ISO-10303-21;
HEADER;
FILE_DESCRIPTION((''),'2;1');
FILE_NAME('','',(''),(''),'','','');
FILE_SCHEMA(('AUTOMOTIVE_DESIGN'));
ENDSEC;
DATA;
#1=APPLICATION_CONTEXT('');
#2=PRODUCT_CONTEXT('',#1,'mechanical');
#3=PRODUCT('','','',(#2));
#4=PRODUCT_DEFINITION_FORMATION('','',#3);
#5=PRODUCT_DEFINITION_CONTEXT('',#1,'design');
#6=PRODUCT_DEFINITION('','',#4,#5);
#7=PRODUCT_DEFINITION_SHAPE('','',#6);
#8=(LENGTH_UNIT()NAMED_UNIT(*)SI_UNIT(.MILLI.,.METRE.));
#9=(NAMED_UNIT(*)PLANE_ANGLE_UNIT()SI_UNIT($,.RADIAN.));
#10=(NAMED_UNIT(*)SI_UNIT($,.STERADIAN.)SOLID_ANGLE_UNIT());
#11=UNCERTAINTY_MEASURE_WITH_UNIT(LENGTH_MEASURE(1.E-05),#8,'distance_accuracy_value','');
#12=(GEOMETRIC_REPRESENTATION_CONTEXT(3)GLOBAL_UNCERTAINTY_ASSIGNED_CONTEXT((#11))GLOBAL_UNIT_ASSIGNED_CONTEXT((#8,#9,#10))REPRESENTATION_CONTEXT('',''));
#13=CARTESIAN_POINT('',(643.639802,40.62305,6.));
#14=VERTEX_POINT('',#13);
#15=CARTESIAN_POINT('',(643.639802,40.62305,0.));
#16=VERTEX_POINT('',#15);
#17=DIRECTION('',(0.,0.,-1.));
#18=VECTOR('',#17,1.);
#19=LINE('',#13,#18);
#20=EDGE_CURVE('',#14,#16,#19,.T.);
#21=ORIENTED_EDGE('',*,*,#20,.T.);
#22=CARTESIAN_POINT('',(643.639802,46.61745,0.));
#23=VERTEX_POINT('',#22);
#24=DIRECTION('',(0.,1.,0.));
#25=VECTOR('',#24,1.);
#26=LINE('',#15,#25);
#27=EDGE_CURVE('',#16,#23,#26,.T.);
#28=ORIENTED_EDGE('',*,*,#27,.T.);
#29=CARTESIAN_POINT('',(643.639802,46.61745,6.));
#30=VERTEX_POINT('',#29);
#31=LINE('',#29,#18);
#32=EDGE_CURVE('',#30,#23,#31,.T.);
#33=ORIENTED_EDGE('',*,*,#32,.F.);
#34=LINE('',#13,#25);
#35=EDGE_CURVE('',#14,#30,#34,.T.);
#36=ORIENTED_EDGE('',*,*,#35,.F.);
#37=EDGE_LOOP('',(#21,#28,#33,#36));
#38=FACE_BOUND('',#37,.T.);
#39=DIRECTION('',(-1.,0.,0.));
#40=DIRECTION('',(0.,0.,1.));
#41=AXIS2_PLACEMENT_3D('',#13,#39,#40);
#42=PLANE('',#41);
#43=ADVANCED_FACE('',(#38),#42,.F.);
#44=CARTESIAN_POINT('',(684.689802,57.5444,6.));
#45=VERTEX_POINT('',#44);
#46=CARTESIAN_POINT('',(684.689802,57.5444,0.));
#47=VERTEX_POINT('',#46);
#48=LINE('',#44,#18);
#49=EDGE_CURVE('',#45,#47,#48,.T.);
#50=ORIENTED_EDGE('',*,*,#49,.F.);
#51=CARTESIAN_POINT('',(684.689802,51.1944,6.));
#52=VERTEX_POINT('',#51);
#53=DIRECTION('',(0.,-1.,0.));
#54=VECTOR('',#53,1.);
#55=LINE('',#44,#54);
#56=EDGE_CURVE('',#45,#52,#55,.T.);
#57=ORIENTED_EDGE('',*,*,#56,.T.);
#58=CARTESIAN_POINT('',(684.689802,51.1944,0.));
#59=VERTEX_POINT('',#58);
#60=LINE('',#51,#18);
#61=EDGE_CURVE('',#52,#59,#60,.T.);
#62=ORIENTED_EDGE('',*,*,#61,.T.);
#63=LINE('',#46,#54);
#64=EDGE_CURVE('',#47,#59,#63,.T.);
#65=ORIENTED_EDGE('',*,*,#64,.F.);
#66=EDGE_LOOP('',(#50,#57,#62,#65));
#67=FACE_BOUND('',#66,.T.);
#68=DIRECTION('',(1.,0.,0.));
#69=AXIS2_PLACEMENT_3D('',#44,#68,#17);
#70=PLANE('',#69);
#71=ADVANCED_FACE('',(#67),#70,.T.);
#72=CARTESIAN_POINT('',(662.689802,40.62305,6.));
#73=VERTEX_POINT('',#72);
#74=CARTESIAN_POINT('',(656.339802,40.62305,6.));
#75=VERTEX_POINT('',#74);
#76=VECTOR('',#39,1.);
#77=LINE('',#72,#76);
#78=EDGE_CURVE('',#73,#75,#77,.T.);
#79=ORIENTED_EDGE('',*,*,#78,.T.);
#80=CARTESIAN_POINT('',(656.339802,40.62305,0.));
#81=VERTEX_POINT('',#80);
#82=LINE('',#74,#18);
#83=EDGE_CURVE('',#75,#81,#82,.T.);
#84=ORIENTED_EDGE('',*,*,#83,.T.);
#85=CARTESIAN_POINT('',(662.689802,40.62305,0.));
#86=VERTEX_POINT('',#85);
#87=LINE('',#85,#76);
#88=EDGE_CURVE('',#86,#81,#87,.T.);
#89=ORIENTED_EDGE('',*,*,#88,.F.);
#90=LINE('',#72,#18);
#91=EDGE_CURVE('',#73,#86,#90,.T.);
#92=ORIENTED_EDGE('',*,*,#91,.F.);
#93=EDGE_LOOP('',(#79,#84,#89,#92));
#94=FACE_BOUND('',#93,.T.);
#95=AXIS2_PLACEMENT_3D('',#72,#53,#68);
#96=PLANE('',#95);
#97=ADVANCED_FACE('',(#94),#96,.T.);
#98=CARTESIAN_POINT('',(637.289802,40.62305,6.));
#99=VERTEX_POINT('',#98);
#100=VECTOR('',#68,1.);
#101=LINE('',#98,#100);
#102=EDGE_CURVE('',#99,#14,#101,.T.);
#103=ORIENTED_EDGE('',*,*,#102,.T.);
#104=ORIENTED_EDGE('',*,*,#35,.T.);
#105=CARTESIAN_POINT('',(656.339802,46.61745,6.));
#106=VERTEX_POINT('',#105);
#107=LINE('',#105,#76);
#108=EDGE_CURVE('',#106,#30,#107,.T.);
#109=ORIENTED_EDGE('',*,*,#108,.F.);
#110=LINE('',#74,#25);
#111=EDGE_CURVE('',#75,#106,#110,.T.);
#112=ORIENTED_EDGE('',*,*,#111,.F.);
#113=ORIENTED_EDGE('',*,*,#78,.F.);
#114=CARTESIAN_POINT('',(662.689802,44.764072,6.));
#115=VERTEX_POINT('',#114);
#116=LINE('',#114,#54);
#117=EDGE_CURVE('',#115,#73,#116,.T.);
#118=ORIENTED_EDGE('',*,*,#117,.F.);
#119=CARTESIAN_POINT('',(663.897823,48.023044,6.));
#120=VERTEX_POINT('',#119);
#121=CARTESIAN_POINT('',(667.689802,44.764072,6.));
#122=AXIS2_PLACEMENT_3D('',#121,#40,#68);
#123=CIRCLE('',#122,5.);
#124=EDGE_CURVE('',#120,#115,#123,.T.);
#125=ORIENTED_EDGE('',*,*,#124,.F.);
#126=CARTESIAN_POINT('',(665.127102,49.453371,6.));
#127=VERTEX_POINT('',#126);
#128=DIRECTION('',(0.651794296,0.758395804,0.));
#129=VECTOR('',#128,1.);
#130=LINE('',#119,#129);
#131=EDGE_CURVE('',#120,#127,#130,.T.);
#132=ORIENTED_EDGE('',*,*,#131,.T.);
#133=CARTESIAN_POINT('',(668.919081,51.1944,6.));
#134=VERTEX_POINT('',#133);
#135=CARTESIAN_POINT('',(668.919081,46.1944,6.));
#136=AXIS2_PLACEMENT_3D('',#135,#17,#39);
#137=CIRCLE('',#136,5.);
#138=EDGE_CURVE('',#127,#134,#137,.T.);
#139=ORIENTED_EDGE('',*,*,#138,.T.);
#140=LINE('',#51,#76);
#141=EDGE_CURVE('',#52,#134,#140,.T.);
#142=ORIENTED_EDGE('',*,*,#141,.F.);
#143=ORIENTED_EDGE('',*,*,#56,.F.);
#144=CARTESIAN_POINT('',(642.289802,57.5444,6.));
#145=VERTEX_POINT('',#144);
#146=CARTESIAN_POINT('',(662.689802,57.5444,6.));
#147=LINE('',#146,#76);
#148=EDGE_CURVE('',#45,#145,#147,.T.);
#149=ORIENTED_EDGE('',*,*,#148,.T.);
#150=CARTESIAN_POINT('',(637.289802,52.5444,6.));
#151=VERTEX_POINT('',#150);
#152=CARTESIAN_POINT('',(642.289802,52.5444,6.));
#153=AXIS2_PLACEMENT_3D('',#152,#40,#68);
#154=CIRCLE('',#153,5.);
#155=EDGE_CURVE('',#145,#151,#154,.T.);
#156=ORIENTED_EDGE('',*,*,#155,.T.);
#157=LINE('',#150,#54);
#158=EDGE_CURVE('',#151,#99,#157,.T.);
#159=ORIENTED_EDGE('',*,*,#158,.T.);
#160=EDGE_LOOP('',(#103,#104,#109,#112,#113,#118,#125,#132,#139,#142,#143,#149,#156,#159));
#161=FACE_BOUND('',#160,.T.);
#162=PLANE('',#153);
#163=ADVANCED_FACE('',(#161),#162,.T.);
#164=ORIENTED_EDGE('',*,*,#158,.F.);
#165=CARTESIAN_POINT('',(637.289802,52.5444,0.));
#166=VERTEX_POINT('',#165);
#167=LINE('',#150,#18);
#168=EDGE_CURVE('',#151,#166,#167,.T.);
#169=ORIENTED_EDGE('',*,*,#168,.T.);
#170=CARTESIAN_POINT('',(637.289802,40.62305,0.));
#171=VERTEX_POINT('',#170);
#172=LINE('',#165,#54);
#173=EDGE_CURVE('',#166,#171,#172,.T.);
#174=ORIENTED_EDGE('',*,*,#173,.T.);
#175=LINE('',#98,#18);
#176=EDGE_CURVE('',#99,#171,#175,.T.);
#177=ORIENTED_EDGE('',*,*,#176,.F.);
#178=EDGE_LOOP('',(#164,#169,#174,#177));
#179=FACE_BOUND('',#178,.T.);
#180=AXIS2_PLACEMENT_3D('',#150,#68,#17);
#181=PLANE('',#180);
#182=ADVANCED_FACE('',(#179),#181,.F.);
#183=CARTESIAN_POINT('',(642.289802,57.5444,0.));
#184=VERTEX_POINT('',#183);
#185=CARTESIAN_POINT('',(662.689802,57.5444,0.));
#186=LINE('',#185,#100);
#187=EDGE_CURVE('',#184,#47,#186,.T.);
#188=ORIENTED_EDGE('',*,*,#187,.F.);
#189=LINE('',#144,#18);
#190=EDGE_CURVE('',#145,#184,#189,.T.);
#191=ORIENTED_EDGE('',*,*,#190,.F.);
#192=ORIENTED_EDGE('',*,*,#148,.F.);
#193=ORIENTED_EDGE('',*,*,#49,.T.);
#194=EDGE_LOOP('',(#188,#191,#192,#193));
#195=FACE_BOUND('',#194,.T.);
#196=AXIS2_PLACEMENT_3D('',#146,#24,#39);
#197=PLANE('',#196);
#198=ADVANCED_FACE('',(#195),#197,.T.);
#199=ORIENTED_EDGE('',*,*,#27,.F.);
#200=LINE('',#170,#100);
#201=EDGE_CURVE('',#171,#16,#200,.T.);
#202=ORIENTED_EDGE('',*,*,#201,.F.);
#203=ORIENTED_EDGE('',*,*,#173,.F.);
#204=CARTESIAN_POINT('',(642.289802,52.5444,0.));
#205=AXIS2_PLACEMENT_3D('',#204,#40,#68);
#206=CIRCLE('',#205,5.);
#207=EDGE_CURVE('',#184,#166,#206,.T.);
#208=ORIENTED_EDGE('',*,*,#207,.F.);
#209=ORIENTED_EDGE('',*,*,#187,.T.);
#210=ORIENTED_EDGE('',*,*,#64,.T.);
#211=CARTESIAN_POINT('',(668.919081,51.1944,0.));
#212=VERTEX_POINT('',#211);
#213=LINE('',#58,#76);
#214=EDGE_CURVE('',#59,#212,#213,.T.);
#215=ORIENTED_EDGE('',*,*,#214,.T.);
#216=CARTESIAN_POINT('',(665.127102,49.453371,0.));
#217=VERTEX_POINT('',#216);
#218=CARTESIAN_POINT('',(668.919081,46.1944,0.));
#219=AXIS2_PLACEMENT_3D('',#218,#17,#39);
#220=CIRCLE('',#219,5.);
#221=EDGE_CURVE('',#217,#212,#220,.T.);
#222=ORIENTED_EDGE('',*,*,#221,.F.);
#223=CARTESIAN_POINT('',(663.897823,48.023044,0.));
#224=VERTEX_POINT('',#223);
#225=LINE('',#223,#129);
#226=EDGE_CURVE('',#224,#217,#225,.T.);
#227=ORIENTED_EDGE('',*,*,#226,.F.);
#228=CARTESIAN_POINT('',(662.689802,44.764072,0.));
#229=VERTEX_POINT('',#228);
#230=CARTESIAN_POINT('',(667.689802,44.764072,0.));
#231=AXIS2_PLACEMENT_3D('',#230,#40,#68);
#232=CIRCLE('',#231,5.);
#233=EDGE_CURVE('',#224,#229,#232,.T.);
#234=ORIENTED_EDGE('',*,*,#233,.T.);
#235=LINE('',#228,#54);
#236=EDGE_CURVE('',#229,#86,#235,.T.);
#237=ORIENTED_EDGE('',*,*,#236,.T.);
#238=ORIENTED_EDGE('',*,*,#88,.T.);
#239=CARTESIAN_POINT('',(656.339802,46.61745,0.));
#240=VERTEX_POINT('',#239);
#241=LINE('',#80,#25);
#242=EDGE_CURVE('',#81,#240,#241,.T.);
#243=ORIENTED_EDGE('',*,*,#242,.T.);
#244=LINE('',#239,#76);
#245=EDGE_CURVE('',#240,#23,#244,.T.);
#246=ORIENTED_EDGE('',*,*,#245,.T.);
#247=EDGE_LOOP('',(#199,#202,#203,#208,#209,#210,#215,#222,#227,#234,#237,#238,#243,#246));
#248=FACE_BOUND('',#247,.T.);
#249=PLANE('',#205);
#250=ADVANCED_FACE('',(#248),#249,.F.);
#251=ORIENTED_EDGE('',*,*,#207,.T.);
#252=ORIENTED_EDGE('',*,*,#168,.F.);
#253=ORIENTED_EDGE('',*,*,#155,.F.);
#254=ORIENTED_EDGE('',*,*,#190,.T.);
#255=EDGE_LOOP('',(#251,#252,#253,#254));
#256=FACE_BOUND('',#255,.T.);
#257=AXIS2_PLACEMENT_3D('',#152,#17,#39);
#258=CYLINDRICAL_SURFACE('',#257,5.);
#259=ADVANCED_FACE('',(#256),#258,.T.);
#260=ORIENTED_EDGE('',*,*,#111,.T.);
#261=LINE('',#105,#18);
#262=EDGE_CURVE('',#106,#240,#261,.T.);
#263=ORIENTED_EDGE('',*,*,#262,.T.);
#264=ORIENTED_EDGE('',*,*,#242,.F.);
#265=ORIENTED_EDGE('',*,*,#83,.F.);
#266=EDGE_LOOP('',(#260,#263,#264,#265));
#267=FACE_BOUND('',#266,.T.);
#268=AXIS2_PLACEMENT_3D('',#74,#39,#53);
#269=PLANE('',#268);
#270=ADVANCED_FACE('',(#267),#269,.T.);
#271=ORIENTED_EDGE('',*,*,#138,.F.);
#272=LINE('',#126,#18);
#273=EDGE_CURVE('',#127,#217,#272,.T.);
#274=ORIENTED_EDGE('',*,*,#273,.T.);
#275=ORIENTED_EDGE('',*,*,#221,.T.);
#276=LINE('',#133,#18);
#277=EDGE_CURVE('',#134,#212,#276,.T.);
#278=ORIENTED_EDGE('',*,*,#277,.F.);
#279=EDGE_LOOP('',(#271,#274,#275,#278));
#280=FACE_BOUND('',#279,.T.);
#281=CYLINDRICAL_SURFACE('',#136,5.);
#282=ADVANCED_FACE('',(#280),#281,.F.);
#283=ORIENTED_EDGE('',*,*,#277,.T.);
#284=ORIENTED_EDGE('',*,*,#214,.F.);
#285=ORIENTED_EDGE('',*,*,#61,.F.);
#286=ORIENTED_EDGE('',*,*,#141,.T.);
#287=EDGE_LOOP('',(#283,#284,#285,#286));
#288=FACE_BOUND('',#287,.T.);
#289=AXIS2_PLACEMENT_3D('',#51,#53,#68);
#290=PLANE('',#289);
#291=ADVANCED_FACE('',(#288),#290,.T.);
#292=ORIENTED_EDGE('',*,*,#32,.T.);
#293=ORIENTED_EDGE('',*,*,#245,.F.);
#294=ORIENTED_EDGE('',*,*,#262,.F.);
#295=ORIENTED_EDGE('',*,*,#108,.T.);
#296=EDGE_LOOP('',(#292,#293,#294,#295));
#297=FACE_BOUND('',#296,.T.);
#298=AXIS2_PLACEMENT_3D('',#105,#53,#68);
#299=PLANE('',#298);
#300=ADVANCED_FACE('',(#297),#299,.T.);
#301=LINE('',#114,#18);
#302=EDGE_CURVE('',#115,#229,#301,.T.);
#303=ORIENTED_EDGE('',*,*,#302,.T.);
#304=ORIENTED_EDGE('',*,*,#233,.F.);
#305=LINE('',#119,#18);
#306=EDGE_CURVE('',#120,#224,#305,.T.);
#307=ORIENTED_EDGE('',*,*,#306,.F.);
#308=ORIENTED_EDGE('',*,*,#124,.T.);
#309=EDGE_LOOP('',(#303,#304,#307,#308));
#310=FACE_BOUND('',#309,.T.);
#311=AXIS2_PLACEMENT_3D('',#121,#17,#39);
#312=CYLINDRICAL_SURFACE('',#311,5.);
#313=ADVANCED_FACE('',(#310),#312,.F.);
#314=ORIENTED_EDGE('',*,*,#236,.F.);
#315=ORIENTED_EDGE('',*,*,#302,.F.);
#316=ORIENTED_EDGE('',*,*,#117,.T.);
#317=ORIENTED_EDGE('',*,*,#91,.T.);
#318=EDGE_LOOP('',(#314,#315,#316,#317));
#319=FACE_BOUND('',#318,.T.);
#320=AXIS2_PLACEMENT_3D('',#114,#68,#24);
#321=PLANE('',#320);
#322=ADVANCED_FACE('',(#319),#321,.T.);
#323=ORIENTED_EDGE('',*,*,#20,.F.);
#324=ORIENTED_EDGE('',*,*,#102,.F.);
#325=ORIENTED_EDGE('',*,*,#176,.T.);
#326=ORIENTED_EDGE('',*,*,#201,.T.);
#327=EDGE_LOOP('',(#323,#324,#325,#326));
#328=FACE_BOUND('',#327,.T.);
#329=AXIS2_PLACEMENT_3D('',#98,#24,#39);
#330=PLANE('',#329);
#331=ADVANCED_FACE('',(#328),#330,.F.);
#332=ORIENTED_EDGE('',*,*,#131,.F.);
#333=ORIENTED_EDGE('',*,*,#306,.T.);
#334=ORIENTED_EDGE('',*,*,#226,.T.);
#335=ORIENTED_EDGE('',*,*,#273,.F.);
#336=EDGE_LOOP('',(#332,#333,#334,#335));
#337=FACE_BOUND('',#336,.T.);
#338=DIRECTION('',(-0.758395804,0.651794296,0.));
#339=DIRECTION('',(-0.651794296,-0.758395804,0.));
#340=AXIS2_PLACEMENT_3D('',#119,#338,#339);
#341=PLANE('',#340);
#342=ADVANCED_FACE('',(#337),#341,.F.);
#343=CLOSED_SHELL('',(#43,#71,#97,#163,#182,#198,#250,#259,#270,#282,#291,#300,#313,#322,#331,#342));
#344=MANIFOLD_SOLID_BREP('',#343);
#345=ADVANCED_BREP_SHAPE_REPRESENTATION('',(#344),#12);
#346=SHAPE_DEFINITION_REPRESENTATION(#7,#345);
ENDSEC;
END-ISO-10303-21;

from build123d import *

# Parameters (mm, degrees)
BOSS_EXTRUDE1_DEPTH = 6


with BuildPart() as part:
    # Sketch1 → Boss-Extrude1 (new body)
    with BuildSketch(Plane.XY):
        with BuildLine():
            Line((684.689802479, 51.1944), (668.919080645, 51.1944))
            ThreePointArc((668.919080645, 51.1944), (666.832798953, 50.738344179), (665.127101625, 49.453371481))
            Line((665.127101625, 49.453371481), (663.897823459, 48.023043832))
            ThreePointArc((663.897823459, 48.023043832), (663.001524805, 46.501902162), (662.689802479, 44.764072351))
            Line((662.689802479, 44.764072351), (662.689802479, 40.62305))
            Line((662.689802479, 40.62305), (656.339802479, 40.62305))
            Line((656.339802479, 40.62305), (656.339802479, 46.61745))
            Line((656.339802479, 46.61745), (643.639802479, 46.61745))
            Line((643.639802479, 46.61745), (643.639802479, 40.62305))
            Line((643.639802479, 40.62305), (637.289802479, 40.62305))
            Line((637.289802479, 40.62305), (637.289802479, 52.5444))
            ThreePointArc((637.289802479, 52.5444), (638.754268573, 56.079933906), (642.289802479, 57.5444))
            Line((642.289802479, 57.5444), (662.689802479, 57.5444))
            Line((662.689802479, 57.5444), (684.689802479, 57.5444))
            Line((684.689802479, 57.5444), (684.689802479, 51.1944))
        make_face()
    extrude(amount=BOSS_EXTRUDE1_DEPTH)


solid = part.part
